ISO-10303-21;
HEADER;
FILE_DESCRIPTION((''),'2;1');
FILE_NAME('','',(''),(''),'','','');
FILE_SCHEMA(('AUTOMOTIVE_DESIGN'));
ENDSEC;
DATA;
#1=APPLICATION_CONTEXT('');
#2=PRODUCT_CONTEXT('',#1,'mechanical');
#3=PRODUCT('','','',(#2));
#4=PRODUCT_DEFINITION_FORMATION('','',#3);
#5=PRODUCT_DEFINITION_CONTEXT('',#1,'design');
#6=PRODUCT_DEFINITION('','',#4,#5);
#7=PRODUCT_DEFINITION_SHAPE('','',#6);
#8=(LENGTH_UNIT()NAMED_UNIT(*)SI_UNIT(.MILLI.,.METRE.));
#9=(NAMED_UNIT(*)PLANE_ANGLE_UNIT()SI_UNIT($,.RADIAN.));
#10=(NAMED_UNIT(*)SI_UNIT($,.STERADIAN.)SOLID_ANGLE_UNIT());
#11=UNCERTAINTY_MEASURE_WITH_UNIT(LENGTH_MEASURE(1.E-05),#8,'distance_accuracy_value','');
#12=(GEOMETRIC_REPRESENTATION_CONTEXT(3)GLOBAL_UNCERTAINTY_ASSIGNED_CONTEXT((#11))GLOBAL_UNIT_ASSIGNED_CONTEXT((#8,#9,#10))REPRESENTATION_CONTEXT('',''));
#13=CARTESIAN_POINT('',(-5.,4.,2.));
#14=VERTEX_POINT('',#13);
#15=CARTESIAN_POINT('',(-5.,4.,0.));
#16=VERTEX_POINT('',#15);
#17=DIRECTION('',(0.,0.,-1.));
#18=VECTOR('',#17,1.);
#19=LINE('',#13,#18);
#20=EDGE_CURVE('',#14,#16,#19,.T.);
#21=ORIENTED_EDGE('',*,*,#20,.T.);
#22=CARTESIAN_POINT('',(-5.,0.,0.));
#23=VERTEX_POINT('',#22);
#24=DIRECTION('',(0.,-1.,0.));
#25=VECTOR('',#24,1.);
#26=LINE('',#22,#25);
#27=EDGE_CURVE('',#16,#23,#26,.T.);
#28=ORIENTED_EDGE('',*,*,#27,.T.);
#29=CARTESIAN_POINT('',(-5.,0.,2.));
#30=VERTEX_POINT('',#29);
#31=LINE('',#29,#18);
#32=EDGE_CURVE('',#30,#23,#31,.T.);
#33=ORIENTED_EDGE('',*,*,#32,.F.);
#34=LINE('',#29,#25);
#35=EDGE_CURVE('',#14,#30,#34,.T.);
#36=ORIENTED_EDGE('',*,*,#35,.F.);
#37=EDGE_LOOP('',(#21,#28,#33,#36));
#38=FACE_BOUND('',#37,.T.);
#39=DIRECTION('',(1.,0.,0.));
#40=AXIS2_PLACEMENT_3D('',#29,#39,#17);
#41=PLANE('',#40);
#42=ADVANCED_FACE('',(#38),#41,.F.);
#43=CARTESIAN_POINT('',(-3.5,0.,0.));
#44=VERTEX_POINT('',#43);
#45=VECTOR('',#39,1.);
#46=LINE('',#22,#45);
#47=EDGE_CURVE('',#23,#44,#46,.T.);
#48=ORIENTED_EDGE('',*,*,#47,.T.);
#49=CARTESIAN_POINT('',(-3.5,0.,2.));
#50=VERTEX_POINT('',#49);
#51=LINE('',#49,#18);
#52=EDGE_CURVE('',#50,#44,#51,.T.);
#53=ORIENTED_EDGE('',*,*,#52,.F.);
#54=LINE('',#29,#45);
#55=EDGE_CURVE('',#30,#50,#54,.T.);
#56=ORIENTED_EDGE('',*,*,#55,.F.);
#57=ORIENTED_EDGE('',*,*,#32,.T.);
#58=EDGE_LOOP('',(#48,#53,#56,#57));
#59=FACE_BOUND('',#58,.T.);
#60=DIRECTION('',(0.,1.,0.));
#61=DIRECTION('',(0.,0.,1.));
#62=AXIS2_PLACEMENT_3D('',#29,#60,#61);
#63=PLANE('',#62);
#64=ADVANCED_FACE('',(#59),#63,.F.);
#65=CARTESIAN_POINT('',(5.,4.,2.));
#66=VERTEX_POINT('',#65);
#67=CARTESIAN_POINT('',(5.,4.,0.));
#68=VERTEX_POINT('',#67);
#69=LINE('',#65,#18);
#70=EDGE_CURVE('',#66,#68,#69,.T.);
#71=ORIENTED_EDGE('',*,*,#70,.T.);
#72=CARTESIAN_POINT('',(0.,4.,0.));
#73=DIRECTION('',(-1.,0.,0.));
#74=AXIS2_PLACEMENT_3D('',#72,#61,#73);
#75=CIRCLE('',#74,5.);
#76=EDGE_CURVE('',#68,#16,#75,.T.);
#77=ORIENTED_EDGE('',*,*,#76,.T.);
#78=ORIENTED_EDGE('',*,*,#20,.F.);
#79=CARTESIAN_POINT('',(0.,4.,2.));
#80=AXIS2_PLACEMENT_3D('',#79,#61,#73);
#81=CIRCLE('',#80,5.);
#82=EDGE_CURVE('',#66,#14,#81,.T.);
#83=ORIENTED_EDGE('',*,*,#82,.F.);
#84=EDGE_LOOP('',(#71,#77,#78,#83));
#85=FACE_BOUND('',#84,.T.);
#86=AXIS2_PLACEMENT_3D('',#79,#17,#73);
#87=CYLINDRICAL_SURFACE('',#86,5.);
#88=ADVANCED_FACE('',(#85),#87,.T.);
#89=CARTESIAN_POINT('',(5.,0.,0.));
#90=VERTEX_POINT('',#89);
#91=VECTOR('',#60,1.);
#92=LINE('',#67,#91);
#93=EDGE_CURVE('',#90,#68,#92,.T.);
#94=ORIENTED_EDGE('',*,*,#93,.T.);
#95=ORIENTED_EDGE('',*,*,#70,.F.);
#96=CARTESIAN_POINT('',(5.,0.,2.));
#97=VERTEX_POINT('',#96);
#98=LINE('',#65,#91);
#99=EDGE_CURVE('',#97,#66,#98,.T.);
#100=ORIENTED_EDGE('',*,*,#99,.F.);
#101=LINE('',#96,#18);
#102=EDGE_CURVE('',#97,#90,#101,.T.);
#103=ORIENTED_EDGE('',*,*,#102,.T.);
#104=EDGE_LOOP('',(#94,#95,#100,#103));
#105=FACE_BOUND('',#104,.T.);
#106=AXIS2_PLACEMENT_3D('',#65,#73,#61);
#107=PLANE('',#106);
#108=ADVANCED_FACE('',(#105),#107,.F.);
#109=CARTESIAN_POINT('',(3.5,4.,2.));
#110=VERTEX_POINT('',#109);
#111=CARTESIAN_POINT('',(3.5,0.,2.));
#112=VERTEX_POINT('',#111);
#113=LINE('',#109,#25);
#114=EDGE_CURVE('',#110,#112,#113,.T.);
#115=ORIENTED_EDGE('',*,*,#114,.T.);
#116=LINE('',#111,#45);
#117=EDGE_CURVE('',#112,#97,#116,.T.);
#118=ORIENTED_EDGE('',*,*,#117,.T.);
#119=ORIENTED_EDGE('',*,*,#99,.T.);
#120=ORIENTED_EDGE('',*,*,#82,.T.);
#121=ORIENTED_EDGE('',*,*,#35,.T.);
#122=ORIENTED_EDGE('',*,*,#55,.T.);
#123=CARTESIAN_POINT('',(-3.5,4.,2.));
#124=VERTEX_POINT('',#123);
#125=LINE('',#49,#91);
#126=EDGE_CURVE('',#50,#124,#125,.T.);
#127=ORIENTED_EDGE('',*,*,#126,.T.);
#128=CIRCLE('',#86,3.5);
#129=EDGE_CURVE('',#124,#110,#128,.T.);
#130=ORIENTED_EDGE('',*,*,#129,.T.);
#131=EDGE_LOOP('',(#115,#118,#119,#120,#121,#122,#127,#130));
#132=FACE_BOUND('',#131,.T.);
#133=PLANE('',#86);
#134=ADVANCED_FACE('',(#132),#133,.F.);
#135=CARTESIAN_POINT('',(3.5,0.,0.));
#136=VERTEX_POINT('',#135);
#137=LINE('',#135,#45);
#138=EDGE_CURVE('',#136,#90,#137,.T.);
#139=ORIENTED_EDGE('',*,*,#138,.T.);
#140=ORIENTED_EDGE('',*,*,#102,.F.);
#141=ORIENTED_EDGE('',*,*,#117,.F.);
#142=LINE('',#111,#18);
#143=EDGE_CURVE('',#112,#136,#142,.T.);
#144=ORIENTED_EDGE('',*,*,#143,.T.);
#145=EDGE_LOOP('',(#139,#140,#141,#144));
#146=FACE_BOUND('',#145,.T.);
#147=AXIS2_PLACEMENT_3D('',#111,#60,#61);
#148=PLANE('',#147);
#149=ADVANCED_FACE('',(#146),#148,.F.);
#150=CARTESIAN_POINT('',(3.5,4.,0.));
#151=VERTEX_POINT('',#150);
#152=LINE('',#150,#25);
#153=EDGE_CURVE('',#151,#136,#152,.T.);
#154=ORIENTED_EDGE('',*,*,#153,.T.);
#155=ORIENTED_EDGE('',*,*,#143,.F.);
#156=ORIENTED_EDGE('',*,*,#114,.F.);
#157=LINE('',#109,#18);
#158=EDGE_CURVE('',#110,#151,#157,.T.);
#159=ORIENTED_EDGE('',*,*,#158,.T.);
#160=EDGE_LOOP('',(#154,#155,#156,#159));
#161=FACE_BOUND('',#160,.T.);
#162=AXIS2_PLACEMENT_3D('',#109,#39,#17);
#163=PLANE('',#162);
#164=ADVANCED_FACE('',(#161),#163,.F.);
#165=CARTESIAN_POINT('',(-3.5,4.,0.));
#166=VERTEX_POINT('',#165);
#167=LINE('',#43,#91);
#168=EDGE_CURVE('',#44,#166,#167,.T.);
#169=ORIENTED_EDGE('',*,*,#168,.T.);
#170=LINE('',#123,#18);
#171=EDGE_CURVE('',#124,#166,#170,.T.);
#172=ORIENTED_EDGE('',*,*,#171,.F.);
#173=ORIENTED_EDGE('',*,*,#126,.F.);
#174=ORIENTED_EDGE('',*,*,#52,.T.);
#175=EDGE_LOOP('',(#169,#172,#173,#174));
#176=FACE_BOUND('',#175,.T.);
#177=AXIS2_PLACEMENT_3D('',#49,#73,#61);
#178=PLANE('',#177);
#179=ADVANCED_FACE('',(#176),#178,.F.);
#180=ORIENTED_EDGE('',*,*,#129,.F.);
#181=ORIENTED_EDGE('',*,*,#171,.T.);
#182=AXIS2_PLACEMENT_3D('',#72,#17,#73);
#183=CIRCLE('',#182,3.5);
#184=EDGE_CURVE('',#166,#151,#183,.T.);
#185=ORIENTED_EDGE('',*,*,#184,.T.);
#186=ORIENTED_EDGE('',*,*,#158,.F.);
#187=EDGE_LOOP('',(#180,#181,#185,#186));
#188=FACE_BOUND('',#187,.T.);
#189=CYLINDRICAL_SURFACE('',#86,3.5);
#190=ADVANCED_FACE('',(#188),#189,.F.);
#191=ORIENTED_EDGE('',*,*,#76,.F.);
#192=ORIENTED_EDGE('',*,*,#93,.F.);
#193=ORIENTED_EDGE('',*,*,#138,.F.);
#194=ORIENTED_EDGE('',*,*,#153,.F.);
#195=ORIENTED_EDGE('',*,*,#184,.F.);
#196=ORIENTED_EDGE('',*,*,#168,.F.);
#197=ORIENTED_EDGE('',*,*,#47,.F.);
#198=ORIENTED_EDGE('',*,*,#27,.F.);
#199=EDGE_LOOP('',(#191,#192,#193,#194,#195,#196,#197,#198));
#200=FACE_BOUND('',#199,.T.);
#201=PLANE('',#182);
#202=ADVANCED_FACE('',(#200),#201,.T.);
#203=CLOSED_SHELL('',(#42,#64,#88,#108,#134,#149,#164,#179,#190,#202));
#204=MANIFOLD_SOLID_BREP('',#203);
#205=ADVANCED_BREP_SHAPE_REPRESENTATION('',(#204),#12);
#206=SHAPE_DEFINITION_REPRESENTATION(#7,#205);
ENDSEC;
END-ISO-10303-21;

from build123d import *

# Parameters (mm, degrees)
BOSS_EXTRUDE1_DEPTH = 2


with BuildPart() as part:
    # Sketch1 → Boss-Extrude1 (new body)
    with BuildSketch(Plane.XY):
        with BuildLine():
            Line((-5, 0), (-5, 4))
            ThreePointArc((-5, 4), (0, 9), (5, 4))
            Line((5, 4), (5, 0))
            Line((5, 0), (3.5, 0))
            Line((3.5, 0), (3.5, 4))
            ThreePointArc((3.5, 4), (0, 7.5), (-3.5, 4))
            Line((-3.5, 4), (-3.5, 0))
            Line((-3.5, 0), (-5, 0))
        make_face()
    extrude(amount=BOSS_EXTRUDE1_DEPTH)


solid = part.part
